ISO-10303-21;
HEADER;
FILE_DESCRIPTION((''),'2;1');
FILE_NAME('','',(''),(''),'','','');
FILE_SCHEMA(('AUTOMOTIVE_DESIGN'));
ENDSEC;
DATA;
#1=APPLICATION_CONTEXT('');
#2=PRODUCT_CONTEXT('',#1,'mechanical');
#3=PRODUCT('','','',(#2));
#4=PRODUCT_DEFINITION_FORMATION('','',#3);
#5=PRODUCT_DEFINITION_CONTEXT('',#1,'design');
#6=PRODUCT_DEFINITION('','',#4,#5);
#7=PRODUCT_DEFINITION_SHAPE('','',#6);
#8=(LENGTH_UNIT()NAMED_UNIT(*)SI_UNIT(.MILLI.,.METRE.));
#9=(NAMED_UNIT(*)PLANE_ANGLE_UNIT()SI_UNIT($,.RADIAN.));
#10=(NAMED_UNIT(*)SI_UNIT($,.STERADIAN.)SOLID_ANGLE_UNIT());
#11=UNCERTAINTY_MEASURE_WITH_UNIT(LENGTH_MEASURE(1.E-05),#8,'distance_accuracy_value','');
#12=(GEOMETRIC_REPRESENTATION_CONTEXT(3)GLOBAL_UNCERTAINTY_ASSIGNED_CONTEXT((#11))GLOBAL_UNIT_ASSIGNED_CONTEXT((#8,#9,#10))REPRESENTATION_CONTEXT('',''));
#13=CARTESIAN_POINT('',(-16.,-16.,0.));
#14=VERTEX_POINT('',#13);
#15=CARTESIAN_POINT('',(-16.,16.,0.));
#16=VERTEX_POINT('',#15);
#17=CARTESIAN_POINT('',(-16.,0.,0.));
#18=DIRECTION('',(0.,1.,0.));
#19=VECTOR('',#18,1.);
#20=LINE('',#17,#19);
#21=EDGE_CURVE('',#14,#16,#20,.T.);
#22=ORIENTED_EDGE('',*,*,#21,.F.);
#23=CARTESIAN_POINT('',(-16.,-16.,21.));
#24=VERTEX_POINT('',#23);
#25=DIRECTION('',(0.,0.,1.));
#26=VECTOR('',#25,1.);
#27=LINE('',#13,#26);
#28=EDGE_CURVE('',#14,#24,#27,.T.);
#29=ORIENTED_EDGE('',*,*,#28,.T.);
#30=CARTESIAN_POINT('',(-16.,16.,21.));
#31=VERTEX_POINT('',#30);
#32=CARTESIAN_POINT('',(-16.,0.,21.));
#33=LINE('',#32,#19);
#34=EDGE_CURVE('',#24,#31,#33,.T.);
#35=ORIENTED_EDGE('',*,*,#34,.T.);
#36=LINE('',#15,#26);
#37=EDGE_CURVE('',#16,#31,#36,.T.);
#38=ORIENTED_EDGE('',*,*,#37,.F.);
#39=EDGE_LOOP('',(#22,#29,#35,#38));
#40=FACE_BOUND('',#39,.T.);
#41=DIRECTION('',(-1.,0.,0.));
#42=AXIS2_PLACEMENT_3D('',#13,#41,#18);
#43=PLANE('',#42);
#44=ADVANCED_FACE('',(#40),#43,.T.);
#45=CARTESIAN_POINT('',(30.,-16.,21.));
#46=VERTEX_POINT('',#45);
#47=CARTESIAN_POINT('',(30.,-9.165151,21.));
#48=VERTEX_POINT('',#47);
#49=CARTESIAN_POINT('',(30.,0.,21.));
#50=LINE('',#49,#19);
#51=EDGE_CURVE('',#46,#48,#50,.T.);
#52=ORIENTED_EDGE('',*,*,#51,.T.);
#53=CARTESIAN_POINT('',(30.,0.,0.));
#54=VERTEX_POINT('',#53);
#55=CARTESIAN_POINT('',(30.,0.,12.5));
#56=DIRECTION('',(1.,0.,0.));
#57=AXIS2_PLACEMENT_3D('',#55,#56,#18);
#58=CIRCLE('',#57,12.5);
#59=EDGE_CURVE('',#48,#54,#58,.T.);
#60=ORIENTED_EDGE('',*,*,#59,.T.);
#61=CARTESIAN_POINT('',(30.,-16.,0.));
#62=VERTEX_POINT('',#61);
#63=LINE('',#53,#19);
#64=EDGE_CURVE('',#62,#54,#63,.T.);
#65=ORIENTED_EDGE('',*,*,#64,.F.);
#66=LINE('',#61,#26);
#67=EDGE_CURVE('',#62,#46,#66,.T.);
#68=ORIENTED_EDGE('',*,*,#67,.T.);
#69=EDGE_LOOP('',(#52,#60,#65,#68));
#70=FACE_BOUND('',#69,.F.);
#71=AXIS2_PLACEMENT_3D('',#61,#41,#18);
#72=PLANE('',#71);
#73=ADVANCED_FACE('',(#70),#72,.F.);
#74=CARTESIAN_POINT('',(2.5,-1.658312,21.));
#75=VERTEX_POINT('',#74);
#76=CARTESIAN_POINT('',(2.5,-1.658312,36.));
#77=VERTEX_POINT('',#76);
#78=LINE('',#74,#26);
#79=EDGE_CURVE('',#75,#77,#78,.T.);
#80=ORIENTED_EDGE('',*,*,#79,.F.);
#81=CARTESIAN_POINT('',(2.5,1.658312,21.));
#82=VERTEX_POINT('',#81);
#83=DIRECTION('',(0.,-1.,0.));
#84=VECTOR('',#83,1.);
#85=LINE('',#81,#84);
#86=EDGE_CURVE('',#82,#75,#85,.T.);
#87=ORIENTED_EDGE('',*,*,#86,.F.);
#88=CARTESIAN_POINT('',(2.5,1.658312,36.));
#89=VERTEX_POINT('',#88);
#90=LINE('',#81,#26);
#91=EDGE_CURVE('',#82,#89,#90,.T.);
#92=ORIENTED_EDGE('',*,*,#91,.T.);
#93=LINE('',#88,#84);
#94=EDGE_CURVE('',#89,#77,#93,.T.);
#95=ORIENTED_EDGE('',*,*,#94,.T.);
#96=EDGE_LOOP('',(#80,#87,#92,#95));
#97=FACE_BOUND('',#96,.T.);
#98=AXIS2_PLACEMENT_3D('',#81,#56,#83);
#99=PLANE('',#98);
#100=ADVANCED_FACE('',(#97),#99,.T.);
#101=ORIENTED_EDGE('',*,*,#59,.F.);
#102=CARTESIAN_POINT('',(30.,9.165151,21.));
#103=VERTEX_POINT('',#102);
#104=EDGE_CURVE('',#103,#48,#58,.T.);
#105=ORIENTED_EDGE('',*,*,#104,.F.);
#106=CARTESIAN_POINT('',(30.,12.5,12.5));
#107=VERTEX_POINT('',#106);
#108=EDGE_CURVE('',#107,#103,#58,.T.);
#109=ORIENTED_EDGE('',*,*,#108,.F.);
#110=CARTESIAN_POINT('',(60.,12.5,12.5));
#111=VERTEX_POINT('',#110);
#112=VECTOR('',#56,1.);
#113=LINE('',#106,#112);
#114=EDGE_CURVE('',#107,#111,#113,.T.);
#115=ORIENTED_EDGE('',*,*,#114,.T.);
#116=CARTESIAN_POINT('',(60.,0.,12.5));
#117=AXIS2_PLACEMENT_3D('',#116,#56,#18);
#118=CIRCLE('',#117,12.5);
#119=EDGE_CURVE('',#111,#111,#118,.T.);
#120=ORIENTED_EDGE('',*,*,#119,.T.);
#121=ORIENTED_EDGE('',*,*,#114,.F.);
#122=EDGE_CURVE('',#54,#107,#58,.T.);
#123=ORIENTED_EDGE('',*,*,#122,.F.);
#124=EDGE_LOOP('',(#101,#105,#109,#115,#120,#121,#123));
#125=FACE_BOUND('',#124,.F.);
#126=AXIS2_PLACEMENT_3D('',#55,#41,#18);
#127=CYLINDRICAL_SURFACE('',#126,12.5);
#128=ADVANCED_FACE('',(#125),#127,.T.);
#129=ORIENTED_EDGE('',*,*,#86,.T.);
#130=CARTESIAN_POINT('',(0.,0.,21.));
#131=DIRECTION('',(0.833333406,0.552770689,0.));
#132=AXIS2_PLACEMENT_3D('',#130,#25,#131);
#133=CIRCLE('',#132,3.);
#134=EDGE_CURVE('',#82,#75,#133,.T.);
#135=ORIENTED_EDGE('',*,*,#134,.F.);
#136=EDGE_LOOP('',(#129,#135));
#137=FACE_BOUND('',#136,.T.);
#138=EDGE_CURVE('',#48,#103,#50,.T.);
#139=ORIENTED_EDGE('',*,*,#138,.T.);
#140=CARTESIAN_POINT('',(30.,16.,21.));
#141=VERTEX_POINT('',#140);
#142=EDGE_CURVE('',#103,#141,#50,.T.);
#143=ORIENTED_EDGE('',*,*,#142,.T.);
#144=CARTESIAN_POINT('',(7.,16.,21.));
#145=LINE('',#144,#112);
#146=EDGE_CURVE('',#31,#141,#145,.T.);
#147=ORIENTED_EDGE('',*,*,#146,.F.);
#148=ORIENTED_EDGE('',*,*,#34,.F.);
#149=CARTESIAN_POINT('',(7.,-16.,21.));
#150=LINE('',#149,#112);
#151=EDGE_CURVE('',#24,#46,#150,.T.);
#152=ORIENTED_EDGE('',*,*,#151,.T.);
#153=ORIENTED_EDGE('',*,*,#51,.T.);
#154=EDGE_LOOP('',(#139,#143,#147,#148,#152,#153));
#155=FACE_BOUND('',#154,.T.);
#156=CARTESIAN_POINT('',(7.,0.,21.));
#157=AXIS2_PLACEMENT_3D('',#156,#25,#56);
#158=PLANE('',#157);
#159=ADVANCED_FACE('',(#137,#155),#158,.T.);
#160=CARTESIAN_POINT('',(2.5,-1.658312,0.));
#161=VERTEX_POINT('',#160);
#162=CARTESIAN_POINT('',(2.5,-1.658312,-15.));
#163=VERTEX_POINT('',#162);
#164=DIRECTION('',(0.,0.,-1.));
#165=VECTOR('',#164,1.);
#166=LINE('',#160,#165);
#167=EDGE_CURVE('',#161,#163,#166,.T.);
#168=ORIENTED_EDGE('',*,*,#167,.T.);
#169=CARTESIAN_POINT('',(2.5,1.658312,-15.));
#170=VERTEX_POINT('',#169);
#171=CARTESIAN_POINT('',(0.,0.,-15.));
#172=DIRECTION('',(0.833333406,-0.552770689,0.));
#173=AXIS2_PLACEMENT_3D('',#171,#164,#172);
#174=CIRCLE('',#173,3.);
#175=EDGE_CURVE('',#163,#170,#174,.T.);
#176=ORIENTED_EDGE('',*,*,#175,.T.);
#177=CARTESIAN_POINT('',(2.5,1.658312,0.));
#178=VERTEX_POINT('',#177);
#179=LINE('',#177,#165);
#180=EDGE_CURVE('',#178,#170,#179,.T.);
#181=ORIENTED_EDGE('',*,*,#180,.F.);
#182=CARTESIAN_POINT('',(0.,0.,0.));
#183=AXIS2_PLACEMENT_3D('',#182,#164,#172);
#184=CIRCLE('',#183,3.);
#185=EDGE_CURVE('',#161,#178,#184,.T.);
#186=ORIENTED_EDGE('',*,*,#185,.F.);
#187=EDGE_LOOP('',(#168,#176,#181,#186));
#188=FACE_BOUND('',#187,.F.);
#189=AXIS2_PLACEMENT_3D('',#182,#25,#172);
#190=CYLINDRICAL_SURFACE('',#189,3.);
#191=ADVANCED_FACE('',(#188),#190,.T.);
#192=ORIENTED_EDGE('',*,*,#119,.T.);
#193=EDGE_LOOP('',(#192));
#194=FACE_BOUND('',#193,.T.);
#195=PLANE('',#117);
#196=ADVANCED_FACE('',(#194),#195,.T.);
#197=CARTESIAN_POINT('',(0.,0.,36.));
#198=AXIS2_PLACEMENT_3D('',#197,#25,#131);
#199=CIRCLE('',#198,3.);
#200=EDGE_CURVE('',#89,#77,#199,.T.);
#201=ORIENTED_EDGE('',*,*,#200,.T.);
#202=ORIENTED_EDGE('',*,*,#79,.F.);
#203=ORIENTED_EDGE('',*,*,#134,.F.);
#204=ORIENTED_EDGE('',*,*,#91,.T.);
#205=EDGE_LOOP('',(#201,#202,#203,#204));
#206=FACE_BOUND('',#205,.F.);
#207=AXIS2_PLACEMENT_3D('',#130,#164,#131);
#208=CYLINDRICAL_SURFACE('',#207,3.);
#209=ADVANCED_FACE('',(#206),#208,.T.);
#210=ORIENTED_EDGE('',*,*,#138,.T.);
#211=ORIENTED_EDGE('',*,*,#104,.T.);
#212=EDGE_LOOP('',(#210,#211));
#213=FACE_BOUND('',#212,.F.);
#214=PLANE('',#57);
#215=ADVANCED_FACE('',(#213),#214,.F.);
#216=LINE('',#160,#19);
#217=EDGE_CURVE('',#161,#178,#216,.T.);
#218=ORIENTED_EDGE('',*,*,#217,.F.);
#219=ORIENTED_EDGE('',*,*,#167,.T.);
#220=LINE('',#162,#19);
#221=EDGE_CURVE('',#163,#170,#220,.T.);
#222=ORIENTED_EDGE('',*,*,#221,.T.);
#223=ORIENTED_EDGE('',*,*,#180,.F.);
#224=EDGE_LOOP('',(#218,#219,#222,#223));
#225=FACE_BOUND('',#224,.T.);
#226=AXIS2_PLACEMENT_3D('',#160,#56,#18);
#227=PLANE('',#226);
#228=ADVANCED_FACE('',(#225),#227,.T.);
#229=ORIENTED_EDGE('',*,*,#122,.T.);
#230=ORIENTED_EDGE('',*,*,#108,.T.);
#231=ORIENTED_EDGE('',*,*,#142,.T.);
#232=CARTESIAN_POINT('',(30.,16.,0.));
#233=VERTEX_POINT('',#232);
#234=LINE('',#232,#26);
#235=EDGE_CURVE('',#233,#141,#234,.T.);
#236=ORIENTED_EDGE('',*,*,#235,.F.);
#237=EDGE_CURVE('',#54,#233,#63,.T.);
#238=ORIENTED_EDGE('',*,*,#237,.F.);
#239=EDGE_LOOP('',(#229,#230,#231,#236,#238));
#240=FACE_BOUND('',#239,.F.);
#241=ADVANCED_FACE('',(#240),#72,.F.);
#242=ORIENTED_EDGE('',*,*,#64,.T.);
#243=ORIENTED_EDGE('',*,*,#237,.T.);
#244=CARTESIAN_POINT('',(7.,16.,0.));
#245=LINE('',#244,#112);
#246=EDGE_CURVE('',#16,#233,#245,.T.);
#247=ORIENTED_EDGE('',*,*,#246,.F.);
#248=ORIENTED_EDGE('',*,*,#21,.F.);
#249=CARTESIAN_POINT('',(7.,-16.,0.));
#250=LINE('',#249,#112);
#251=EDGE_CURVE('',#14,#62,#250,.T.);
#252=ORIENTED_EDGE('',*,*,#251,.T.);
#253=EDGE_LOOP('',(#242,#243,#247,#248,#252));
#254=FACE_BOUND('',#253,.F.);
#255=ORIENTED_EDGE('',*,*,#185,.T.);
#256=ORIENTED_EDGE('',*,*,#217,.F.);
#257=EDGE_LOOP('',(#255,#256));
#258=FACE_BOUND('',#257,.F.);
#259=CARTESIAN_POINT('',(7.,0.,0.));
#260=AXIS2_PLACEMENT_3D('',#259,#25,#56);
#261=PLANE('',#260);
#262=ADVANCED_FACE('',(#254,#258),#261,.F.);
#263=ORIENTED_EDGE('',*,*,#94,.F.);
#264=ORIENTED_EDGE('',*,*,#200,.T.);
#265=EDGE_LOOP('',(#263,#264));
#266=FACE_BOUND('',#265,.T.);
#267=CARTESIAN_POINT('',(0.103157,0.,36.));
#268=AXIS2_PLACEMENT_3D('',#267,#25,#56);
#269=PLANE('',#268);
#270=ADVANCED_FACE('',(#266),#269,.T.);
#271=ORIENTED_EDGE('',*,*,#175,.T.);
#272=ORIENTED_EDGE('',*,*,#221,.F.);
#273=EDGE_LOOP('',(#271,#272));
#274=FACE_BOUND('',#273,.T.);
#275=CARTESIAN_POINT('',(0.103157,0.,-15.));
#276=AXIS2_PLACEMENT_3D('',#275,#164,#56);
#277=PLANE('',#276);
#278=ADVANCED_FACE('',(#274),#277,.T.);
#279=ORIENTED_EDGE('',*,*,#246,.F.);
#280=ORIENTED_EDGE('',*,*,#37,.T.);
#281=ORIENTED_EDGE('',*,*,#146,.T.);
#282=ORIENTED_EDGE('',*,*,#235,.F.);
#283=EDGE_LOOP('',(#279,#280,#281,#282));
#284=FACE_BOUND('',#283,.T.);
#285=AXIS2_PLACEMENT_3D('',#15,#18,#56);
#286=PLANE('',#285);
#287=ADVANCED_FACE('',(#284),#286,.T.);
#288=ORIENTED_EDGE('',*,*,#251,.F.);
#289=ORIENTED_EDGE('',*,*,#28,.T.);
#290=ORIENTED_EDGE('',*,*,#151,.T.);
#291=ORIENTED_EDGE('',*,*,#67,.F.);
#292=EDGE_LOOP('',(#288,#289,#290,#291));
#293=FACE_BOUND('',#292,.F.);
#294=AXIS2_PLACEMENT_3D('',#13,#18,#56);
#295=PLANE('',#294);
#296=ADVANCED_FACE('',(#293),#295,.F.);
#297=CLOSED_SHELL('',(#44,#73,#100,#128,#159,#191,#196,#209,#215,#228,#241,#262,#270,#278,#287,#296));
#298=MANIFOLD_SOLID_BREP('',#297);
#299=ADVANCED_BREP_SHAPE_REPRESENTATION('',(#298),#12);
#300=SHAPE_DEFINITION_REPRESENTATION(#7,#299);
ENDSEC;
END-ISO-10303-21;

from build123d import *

# Parameters (mm, degrees)
SKETCH_W     = 46
SKETCH_H     = 32
PAD_DEPTH    = 21
SKETCH001_R  = 12.5
PAD001_DEPTH = 30
PAD002_DEPTH = 15
PAD003_DEPTH = 15


with BuildPart() as part:
    # Sketch → Pad (new body)
    with BuildSketch(Plane.XY):
        with Locations((7, 0)):
            Rectangle(SKETCH_W, SKETCH_H)
    extrude(amount=PAD_DEPTH)

    # Sketch001 (on Face2 of Pad) → Pad001 (join)
    with BuildSketch(Plane.YZ.offset(30)):
        with Locations((0, 12.5)):
            Circle(SKETCH001_R)
    extrude(amount=PAD001_DEPTH)

    # Sketch002 (on Face4 of Pad001) → Pad002 (join)
    with BuildSketch(Plane(origin=(0, 0, 0), x_dir=(1, 0, 0), z_dir=(0, 0, -1))):
        with BuildLine():
            ThreePointArc((2.5, 1.658312), (-3, 0), (2.5, -1.658312))
            Line((2.5, 1.658312), (2.5, -1.658312))
        make_face()
    extrude(amount=PAD002_DEPTH)

    # Sketch003 (on Face5 of Pad002) → Pad003 (join)
    with BuildSketch(Plane.XY.offset(21)):
        with BuildLine():
            ThreePointArc((2.5, 1.658312), (-3, 0), (2.5, -1.658312))
            Line((2.5, 1.658312), (2.5, -1.658312))
        make_face()
    extrude(amount=PAD003_DEPTH)


solid = part.part
